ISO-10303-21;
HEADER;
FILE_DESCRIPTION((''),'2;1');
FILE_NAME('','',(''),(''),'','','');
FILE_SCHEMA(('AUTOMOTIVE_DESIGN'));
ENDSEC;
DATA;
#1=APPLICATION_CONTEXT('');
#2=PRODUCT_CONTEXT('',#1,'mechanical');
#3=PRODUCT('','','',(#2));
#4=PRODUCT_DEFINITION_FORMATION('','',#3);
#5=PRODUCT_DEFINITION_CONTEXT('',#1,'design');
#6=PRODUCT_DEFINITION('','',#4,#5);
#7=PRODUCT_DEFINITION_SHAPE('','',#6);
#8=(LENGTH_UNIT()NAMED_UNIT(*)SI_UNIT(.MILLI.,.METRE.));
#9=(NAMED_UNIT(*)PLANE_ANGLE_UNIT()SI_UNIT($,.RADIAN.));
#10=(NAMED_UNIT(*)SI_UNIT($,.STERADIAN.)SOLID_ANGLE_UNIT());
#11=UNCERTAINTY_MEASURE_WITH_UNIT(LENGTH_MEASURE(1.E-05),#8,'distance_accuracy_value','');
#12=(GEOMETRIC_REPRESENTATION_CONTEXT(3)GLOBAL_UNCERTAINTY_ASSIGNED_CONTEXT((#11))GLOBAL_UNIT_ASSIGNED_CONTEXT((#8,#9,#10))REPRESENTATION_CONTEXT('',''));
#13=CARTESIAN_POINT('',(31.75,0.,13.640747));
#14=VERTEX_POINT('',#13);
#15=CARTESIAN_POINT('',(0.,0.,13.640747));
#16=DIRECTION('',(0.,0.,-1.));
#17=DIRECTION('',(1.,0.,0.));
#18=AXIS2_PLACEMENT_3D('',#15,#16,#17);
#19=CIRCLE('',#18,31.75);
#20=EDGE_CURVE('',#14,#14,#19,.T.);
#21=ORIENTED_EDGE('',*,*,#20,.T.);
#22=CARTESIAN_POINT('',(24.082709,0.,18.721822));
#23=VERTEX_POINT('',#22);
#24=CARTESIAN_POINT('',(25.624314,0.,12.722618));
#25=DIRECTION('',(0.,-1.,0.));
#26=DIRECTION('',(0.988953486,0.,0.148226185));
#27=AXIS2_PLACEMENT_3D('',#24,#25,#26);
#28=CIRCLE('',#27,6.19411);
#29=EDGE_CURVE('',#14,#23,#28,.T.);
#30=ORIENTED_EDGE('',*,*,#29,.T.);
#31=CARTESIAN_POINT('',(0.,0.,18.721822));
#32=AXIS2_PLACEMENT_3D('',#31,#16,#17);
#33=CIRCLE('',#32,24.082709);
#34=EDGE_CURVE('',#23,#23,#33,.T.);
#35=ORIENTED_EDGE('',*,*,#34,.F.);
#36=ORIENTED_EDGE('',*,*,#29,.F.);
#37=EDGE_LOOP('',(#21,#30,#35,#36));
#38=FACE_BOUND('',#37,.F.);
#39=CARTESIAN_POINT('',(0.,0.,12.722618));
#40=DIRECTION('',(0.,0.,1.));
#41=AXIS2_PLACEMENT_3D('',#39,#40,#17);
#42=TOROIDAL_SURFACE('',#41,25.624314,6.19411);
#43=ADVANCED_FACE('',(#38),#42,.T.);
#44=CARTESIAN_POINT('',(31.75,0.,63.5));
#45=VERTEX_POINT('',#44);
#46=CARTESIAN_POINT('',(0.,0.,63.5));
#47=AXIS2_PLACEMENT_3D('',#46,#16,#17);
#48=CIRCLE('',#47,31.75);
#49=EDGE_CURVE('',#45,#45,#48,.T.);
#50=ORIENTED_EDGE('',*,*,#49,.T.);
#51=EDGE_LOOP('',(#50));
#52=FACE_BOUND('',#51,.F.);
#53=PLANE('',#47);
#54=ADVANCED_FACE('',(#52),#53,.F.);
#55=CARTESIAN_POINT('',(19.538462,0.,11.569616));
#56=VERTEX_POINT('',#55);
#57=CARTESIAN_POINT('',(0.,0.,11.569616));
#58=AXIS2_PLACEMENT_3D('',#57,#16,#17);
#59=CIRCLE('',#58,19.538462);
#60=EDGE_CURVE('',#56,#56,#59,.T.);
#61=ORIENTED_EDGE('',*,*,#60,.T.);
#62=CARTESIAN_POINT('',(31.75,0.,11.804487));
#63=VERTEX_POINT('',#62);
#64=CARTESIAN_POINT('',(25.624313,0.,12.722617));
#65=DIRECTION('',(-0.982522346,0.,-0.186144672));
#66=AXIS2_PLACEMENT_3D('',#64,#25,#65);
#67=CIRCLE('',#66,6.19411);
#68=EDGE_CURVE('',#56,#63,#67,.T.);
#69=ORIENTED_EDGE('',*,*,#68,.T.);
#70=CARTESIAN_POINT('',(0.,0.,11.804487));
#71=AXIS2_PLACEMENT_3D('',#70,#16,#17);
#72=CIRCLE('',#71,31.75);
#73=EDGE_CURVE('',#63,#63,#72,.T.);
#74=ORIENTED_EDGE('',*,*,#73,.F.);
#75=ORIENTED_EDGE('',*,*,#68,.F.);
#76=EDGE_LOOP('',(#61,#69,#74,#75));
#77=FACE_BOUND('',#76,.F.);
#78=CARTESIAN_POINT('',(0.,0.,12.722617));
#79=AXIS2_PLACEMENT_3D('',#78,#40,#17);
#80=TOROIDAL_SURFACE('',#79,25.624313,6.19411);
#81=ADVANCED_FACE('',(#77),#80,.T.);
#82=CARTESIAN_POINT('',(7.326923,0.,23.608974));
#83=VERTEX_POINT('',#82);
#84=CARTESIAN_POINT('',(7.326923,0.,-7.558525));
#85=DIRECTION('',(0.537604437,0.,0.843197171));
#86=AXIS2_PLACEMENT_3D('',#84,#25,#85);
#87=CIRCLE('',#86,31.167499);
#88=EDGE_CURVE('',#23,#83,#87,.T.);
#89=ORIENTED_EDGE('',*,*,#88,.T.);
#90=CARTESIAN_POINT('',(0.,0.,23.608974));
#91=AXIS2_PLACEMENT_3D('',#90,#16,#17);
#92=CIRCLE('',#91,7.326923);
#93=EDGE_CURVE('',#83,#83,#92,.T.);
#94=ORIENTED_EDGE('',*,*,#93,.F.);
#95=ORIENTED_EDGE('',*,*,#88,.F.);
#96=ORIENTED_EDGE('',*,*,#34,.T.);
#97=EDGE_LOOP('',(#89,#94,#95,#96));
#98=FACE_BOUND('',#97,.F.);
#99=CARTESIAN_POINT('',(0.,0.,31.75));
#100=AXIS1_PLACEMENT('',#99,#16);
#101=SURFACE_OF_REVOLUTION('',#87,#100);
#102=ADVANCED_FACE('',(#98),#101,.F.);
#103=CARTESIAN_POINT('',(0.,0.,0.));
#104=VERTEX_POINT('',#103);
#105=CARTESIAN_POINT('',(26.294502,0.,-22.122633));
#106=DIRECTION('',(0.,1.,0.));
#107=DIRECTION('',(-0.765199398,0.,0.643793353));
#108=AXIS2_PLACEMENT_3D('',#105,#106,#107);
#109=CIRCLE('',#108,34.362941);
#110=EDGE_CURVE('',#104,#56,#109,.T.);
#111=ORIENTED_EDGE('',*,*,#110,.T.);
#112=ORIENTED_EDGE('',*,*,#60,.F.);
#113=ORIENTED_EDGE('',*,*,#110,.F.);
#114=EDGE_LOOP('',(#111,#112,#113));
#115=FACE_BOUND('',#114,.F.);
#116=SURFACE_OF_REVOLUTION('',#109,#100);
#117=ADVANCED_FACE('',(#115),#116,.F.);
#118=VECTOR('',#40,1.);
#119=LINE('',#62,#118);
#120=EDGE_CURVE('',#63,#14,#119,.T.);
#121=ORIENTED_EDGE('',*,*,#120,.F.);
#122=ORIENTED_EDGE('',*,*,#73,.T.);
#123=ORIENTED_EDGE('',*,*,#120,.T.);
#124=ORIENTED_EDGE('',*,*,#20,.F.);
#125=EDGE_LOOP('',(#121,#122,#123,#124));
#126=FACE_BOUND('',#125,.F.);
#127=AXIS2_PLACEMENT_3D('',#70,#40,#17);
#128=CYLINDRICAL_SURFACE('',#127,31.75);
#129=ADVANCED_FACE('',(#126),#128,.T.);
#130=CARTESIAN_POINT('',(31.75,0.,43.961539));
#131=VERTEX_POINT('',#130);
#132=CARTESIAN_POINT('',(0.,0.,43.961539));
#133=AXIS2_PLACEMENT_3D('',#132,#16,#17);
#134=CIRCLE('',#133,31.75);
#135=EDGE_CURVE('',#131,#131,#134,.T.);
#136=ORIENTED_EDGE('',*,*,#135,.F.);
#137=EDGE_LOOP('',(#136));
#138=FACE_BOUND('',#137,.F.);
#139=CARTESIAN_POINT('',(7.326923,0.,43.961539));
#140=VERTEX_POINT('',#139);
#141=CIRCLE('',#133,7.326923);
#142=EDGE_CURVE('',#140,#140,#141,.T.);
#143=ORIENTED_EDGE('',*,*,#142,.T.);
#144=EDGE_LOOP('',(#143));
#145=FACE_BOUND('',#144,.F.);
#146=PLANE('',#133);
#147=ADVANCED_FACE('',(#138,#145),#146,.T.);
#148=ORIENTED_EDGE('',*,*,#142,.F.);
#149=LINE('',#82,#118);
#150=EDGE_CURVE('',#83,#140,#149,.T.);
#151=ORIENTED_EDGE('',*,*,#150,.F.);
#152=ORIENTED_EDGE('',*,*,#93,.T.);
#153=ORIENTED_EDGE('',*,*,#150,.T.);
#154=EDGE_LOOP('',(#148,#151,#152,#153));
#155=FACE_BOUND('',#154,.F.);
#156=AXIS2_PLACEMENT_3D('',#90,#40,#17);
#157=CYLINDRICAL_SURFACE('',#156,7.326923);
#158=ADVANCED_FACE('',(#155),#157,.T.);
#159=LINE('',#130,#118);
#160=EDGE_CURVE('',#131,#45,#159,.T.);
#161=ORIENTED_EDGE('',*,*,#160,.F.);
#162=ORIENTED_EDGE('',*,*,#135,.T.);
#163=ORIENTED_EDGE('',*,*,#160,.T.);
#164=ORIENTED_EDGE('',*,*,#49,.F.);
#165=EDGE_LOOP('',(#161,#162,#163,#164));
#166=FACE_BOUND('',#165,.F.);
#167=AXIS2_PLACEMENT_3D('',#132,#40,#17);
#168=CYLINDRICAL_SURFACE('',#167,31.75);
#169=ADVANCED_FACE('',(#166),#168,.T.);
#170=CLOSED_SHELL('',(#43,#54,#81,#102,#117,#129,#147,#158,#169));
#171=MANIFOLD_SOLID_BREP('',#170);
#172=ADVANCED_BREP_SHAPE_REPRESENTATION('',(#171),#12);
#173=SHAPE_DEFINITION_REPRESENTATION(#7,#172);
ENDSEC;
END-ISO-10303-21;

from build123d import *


with BuildPart() as f1:
    # F0 (on Front) → F1 (revolve)
    with BuildSketch(Plane.XZ):
        with BuildLine():
            ThreePointArc((19.538462, 11.569616), (25.633712, 12.233956), (31.75, 11.804487))
            ThreePointArc((31.75, 11.804487), (28.204831, 15.582908), (24.082709, 18.721822))
            ThreePointArc((24.082709, 18.721822), (16.053902, 22.362251), (7.326923, 23.608974))
            Line((7.326923, 23.608974), (7.326923, 43.961539))
            Line((7.326923, 43.961539), (31.75, 43.961539))
            Line((31.75, 43.961539), (31.75, 63.5))
            Line((31.75, 63.5), (0, 63.5))
            Line((0, 63.5), (0, 0))
            ThreePointArc((0, 0), (8.785973, 7.445308), (19.538462, 11.569616))
        make_face()
        with BuildLine():
            ThreePointArc((19.538462, 11.569616), (25.743426, 6.529652), (31.75, 11.804487))
            ThreePointArc((31.75, 11.804487), (25.633712, 12.233956), (19.538462, 11.569616))
        make_face()
        with BuildLine():
            ThreePointArc((24.082709, 18.721822), (28.204831, 15.582908), (31.75, 11.804487))
            Line((31.75, 11.804487), (31.75, 13.640747))
            ThreePointArc((31.75, 13.640747), (29.045977, 17.885874), (24.082709, 18.721822))
        make_face()
    revolve(axis=Axis((0, 0, 31.75), (0, 0, -1)))


solid = f1.part
